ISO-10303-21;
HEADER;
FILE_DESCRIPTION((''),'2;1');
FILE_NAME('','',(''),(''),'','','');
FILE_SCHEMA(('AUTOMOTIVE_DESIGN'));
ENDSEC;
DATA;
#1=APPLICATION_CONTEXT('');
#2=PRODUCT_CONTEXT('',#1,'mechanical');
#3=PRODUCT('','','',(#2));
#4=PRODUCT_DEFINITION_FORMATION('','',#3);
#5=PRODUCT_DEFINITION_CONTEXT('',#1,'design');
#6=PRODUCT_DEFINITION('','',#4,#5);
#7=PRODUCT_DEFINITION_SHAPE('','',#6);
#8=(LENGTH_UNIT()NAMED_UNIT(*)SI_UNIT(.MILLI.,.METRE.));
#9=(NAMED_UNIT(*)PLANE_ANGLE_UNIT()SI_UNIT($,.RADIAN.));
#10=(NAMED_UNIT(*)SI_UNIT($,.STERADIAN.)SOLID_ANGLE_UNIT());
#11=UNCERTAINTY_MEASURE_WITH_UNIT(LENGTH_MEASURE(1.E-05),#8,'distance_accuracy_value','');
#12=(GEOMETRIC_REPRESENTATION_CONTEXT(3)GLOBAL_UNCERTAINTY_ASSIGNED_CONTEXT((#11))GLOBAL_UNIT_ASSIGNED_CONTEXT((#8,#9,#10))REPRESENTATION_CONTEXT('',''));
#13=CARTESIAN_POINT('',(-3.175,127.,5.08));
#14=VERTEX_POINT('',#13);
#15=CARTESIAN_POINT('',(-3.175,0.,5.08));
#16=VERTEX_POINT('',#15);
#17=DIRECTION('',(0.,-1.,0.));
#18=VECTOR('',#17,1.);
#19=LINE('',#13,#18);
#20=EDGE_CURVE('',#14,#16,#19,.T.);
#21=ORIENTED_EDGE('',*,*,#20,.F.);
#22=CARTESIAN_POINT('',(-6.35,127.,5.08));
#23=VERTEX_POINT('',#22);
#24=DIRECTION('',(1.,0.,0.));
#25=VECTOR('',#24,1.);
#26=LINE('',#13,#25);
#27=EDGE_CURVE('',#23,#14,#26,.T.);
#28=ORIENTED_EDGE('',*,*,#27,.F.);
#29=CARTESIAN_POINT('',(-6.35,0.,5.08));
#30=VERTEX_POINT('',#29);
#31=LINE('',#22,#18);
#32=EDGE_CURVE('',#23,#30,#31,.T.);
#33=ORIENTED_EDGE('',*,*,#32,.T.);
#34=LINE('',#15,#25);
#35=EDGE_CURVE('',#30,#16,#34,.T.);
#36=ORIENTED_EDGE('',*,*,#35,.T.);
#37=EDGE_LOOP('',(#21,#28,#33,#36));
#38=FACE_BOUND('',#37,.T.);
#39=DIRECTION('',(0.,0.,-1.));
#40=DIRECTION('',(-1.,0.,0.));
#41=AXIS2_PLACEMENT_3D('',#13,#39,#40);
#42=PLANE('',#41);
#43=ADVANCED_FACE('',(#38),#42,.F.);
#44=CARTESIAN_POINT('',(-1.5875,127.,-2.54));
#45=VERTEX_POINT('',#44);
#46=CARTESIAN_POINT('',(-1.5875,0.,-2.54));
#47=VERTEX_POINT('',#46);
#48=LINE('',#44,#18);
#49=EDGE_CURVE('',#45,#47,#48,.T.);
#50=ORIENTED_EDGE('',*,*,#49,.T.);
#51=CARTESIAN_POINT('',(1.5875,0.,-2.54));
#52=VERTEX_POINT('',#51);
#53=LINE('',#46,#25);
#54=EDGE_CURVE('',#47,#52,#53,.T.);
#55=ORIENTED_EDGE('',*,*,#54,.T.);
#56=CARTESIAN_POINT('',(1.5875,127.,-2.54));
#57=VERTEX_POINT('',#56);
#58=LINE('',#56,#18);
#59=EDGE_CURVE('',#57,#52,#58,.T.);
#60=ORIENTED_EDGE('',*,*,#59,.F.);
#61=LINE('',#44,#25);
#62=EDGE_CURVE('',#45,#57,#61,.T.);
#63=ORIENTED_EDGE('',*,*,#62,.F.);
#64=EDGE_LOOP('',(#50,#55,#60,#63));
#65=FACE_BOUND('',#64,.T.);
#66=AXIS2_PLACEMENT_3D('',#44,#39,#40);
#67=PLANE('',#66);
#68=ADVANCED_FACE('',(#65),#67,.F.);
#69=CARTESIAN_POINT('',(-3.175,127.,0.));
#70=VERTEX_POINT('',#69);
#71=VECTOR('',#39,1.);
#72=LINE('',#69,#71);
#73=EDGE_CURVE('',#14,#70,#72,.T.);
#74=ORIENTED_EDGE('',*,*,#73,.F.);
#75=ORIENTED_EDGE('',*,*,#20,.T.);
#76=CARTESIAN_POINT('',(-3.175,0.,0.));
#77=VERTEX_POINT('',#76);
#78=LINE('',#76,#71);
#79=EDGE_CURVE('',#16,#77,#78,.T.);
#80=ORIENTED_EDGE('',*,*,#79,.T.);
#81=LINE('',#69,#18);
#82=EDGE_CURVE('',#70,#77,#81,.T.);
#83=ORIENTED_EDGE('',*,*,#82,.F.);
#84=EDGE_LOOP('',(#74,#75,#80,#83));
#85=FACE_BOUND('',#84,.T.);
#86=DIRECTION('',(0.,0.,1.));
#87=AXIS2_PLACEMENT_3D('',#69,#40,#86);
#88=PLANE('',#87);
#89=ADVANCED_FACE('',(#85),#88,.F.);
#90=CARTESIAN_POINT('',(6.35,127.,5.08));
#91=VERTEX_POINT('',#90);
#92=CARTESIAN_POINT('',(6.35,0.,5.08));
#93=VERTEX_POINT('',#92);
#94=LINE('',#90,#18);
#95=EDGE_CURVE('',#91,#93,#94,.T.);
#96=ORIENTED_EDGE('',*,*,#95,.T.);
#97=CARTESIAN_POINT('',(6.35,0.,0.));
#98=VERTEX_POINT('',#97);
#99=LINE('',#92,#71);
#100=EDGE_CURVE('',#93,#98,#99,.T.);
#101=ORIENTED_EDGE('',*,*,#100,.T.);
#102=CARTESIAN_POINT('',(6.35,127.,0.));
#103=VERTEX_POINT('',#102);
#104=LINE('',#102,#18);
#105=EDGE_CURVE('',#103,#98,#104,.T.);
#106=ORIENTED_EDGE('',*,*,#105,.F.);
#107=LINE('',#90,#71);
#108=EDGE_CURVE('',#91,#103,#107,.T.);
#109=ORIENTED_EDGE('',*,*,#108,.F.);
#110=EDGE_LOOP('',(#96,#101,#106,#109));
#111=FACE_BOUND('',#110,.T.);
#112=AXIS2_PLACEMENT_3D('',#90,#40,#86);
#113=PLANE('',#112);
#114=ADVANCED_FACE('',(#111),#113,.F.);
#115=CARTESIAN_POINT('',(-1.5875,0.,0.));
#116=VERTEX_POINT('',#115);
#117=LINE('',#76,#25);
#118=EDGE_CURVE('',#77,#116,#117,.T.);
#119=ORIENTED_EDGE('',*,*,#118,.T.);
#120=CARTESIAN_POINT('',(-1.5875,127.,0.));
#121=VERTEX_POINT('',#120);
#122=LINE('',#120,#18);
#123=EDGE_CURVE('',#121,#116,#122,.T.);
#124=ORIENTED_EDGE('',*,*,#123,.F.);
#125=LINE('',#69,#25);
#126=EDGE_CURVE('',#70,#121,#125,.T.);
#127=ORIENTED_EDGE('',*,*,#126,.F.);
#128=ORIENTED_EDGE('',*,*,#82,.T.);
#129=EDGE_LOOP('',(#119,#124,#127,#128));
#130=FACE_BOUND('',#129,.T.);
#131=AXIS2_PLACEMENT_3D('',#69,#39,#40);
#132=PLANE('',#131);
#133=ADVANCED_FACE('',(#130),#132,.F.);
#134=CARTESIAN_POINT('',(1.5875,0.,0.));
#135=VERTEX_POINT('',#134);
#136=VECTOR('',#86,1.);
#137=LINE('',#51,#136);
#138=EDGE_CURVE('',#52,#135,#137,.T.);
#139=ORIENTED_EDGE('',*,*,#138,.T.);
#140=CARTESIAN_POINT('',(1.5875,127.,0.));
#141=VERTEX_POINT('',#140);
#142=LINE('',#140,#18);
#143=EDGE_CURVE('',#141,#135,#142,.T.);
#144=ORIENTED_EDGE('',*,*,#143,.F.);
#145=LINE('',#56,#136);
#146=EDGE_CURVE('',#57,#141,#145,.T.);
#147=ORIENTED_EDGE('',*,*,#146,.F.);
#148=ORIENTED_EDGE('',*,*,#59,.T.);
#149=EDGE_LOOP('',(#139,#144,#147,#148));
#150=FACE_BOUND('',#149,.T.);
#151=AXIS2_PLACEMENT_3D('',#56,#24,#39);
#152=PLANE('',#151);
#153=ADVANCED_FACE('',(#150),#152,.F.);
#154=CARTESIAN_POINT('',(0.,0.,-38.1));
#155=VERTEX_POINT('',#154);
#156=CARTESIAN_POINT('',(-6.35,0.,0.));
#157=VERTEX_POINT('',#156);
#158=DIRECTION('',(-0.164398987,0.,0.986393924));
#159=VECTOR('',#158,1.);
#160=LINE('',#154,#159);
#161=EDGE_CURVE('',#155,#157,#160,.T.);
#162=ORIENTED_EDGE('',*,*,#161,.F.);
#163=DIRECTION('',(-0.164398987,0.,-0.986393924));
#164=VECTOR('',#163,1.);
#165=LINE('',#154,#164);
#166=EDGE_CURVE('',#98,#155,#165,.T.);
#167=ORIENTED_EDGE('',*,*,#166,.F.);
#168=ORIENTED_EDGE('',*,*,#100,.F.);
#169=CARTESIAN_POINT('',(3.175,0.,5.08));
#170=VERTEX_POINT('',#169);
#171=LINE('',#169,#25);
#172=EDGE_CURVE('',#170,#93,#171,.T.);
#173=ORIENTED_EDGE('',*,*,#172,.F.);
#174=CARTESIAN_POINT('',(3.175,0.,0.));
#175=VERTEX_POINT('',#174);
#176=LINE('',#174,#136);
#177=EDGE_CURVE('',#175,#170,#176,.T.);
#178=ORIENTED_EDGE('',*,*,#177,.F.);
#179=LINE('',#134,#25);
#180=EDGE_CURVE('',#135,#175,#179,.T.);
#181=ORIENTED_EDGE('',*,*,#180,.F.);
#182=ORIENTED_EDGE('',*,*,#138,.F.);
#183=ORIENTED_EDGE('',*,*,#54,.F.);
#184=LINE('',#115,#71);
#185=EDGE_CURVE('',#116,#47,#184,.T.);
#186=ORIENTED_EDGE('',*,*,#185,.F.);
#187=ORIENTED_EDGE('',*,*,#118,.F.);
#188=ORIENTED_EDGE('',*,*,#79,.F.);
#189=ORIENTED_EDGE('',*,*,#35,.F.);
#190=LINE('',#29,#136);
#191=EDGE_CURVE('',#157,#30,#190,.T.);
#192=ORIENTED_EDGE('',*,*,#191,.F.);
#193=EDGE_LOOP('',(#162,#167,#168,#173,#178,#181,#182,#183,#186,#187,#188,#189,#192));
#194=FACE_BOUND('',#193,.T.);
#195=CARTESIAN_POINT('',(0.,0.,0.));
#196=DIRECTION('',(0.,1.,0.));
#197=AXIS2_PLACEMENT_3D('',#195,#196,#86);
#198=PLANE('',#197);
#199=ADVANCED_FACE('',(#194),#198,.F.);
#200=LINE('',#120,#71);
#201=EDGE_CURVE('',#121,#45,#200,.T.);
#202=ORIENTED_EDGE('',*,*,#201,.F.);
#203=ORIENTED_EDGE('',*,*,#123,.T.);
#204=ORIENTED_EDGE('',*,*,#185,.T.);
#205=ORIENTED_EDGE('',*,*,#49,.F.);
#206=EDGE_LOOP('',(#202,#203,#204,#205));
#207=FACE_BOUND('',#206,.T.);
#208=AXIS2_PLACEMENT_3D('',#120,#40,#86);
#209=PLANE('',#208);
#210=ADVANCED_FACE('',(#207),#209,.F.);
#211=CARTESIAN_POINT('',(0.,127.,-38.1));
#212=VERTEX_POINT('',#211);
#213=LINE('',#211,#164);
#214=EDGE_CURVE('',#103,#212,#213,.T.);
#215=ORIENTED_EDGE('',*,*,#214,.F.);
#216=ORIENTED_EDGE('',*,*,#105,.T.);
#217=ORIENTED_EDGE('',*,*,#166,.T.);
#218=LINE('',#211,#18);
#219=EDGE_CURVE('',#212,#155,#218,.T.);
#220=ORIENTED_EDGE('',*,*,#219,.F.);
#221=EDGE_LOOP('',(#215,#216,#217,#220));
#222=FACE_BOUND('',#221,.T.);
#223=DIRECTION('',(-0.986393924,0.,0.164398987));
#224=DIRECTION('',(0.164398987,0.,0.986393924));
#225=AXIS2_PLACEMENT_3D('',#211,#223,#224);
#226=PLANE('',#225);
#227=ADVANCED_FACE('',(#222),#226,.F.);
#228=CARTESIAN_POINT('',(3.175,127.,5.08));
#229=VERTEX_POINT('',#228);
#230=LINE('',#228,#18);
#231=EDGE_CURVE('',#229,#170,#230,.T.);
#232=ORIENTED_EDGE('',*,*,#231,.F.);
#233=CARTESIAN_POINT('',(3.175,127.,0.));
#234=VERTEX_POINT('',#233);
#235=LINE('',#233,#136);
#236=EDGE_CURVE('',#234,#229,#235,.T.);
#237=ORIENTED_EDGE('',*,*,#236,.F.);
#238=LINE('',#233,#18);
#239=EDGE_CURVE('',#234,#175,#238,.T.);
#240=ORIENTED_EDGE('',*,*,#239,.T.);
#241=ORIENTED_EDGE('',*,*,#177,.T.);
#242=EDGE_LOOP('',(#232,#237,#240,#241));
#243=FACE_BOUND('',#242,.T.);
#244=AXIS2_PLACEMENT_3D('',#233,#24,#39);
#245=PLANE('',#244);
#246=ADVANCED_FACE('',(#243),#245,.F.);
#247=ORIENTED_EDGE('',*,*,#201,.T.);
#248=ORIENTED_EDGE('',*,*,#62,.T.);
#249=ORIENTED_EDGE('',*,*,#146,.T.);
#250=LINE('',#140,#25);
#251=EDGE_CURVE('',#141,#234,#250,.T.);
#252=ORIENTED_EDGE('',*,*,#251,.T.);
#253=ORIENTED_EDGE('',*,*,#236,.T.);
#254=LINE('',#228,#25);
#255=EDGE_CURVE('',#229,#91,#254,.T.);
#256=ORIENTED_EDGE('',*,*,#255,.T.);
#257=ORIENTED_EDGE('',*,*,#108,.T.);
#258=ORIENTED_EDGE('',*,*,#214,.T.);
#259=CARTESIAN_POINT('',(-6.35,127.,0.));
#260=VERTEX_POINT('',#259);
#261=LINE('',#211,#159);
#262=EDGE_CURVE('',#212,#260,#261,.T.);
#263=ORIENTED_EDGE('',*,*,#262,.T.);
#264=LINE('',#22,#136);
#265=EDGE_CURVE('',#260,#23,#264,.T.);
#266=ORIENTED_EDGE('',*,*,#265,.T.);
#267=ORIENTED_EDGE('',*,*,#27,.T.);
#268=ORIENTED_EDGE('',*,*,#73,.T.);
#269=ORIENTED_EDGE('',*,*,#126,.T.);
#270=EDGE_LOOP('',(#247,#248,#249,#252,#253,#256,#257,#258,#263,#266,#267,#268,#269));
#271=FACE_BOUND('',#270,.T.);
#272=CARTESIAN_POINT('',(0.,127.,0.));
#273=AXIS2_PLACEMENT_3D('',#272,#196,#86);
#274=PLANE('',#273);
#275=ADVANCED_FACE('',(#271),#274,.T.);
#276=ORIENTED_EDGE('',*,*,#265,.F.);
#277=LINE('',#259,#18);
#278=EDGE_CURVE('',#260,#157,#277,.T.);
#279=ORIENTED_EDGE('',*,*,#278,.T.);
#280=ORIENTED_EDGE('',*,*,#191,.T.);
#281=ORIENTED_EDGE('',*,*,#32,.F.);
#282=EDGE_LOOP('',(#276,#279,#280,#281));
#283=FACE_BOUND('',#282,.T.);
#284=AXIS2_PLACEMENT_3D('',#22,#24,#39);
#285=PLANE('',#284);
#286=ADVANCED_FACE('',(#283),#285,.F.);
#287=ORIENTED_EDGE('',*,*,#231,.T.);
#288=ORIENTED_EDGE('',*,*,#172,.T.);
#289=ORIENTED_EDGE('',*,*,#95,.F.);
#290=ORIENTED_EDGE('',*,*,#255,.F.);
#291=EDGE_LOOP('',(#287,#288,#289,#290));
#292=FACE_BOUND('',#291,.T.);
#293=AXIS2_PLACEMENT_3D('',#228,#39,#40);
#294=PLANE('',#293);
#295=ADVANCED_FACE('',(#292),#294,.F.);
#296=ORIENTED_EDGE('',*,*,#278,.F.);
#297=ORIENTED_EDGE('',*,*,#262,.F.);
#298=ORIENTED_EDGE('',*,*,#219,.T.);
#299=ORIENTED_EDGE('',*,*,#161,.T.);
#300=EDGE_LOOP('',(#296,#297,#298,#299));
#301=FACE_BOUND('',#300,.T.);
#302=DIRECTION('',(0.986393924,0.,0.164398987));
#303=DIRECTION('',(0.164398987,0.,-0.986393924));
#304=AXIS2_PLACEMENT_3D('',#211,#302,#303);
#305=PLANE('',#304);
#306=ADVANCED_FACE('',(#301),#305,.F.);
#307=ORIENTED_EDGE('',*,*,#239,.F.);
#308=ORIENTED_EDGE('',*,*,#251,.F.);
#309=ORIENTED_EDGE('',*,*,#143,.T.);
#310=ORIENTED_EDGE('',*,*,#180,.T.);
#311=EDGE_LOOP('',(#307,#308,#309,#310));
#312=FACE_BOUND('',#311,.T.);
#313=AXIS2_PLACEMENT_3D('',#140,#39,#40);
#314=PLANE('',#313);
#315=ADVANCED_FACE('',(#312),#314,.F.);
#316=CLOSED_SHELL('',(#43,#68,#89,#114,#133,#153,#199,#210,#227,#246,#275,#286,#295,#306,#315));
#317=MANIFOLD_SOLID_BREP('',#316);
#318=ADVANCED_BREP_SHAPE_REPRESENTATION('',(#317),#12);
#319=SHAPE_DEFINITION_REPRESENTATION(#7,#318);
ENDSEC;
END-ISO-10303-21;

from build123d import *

# Parameters (mm, degrees)
BOSS_EXTRUDE1_DEPTH = 127


with BuildPart() as part:
    # Sketch1 → Boss-Extrude1 (new body)
    with BuildSketch(Plane(origin=(0, 0, 0), x_dir=(1, 0, 0), z_dir=(0, 1, 0))):
        Polygon((0, 38.1), (-6.35, 0), (-6.35, -5.08), (-3.175, -5.08), (-3.175, 0), (-1.5875, 0), (-1.5875, 2.54), (1.5875, 2.54), (1.5875, 0), (3.175, 0), (3.175, -5.08), (6.35, -5.08), (6.35, 0), align=None)
    extrude(amount=BOSS_EXTRUDE1_DEPTH)


solid = part.part
